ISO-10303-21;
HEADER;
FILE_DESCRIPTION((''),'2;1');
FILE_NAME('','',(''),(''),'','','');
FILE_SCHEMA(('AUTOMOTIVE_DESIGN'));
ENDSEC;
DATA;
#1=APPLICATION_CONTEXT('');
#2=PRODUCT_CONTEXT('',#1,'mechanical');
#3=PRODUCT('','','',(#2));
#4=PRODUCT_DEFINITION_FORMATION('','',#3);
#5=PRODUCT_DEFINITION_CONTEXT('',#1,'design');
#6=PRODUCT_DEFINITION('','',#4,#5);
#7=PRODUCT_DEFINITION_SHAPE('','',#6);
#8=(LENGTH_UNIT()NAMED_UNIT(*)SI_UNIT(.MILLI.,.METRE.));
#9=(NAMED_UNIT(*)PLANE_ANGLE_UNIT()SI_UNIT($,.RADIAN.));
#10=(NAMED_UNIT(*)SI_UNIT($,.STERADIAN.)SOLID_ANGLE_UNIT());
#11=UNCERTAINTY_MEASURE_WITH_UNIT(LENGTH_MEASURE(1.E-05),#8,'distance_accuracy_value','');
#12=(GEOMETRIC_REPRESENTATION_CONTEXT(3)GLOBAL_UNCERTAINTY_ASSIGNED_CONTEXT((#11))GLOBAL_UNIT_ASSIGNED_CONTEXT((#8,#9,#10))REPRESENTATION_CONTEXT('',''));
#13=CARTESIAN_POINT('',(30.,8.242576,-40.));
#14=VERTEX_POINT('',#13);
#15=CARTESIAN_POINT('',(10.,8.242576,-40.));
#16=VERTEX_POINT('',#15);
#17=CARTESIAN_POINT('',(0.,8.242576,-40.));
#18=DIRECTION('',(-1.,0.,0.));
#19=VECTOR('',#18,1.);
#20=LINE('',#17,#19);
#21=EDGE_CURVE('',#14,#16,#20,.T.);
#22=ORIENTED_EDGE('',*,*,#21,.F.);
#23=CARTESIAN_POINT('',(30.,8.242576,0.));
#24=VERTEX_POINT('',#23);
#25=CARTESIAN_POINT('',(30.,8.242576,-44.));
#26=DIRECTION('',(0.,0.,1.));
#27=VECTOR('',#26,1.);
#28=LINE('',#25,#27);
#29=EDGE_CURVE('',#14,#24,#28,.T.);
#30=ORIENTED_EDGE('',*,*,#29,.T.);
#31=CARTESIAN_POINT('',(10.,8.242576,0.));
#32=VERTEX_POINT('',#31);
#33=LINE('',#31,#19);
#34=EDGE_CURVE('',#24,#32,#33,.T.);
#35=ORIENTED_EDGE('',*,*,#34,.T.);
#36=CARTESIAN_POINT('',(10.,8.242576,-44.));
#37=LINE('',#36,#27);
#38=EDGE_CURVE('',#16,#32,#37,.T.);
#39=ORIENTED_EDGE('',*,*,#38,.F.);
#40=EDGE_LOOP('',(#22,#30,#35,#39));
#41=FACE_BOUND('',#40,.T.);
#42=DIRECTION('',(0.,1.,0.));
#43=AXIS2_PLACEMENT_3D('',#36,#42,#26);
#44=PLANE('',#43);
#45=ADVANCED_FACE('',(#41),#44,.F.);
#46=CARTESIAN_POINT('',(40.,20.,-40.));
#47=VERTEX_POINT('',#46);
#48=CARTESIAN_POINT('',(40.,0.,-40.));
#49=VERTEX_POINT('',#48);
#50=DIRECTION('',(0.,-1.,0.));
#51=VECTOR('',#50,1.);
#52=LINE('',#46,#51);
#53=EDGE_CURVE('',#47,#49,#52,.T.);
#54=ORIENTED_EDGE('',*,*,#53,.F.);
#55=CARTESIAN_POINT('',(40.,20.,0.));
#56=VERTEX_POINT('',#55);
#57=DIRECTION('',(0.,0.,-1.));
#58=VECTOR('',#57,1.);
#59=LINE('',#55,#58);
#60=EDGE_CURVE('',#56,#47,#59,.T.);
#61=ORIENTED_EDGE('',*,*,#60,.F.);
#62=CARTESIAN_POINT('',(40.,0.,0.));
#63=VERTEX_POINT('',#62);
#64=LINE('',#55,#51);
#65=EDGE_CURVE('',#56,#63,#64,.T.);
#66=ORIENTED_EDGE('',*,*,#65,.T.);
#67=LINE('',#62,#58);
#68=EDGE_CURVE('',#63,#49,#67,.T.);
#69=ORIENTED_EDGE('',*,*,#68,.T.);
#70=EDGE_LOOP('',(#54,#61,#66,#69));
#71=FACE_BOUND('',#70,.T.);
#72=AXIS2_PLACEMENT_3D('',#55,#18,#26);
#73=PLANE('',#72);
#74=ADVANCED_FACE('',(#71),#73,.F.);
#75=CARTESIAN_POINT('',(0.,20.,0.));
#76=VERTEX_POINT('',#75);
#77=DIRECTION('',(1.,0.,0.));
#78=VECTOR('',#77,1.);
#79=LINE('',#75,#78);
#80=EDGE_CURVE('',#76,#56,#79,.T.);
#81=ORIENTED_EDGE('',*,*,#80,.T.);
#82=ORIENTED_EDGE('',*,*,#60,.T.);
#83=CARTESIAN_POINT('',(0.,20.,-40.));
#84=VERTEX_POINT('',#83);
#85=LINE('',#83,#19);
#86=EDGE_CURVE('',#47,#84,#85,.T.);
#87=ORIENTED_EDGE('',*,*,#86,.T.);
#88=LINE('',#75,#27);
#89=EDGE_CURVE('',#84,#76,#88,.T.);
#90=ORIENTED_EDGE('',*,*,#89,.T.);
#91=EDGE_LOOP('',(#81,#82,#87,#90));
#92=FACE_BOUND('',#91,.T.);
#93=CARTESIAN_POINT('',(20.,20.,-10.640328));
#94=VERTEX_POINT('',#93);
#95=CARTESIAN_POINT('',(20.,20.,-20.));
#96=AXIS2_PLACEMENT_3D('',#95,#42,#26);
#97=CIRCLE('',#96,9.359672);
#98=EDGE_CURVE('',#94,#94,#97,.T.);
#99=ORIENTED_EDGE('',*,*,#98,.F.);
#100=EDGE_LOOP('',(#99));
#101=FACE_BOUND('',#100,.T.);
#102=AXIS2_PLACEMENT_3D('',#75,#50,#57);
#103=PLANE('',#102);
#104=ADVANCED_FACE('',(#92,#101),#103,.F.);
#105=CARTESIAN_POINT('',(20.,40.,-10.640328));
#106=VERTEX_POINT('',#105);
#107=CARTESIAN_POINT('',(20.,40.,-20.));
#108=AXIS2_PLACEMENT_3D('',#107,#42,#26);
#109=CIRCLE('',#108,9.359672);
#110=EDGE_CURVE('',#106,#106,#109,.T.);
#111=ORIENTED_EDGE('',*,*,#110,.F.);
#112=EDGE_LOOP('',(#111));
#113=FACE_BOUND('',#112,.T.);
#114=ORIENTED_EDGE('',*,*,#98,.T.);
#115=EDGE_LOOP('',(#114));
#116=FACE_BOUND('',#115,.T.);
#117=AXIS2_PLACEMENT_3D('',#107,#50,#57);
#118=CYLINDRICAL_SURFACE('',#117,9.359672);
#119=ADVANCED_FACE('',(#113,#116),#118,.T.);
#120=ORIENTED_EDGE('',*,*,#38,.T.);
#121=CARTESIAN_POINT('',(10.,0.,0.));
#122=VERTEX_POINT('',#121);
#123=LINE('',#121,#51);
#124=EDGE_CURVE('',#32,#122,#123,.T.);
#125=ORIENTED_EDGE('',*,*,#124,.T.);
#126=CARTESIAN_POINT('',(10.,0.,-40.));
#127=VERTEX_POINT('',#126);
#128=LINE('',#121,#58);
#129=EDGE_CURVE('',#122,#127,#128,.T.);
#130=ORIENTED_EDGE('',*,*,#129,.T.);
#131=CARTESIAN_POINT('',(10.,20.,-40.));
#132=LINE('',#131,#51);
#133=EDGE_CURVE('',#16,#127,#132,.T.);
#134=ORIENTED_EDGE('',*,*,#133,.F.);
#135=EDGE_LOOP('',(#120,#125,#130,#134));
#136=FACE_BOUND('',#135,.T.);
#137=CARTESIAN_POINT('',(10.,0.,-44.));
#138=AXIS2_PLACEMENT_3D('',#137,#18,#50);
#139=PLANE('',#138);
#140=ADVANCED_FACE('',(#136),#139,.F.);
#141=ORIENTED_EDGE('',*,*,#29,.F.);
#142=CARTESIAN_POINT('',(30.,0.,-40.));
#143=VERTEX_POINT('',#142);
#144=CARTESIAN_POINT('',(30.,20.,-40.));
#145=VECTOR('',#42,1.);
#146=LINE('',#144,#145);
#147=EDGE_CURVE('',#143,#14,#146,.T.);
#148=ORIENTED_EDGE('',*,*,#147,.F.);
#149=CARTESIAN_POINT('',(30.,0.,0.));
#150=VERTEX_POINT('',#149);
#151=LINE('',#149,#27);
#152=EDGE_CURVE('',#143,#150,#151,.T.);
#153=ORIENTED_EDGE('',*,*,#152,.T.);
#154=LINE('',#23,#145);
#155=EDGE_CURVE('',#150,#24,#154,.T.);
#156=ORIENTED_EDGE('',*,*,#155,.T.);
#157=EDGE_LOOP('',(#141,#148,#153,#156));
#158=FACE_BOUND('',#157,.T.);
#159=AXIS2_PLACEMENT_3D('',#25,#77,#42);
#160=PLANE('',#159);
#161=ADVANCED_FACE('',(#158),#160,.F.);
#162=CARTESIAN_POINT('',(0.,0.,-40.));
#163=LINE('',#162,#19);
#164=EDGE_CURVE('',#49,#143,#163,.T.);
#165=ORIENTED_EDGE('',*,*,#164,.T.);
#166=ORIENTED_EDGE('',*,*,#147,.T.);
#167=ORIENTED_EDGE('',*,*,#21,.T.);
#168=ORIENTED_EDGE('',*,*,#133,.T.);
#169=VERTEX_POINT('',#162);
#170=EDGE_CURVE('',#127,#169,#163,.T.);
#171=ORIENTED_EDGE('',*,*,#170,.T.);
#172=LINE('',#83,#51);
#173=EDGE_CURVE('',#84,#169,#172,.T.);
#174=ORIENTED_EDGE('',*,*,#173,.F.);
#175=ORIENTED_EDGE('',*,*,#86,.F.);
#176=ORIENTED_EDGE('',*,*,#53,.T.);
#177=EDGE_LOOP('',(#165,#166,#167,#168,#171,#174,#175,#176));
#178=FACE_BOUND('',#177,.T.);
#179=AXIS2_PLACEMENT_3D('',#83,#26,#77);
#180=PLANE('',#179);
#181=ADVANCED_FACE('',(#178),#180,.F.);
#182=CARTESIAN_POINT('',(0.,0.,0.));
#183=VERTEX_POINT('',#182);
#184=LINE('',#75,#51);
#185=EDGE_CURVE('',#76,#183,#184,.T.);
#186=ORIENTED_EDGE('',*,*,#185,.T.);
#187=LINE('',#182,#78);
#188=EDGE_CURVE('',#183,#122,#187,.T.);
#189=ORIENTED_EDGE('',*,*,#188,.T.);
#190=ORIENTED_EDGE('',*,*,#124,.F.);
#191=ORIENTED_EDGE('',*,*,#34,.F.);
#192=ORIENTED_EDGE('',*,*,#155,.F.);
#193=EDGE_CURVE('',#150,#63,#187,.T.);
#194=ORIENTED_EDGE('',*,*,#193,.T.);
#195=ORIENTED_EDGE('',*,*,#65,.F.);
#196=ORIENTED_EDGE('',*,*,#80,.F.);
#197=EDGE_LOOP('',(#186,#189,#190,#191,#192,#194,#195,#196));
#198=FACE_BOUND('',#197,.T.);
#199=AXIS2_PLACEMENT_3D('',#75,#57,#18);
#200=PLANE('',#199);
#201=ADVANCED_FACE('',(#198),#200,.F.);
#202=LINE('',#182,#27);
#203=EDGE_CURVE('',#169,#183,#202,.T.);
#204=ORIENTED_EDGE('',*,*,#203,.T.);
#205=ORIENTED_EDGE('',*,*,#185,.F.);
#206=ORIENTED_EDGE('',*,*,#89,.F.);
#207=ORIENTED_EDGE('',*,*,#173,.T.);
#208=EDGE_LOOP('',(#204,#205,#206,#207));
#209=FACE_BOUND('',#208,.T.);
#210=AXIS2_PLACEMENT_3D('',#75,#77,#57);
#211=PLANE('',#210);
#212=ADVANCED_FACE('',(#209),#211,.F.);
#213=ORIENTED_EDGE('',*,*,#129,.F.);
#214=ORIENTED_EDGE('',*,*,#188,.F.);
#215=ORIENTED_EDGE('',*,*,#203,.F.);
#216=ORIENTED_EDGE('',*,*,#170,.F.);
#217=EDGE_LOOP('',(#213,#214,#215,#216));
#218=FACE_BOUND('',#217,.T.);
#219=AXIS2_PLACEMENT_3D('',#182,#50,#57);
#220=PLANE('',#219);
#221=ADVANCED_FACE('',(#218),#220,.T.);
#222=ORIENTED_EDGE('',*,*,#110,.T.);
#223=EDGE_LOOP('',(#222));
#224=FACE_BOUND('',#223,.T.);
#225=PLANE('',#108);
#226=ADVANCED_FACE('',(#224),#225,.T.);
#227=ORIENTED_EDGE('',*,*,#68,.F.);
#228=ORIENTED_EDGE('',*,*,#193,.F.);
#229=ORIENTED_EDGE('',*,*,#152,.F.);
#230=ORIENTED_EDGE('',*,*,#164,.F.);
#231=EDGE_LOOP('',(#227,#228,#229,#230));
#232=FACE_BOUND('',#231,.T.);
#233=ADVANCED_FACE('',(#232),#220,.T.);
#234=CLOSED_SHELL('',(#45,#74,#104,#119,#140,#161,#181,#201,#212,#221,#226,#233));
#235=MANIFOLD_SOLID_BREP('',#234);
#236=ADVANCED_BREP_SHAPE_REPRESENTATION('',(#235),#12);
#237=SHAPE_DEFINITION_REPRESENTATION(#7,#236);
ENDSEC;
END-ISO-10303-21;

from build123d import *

# Parameters (mm, degrees)
SKETCH2_W           = 40
SKETCH2_H           = 40
BOSS_EXTRUDE1_DEPTH = 20
SKETCH4_W           = 20
SKETCH4_H           = 8.242576467
CUT_EXTRUDE1_DEPTH  = 44
SKETCH6_R           = 9.359671937
BOSS_EXTRUDE3_DEPTH = 20


with BuildPart() as part:
    # Sketch2 → Boss-Extrude1 (new body)
    with BuildSketch(Plane(origin=(0, 0, 0), x_dir=(1, 0, 0), z_dir=(0, 1, 0))):
        with Locations((20, 20)):
            Rectangle(SKETCH2_W, SKETCH2_H)
    extrude(amount=BOSS_EXTRUDE1_DEPTH)

    # Sketch4 → Cut-Extrude1 (cut)
    with BuildSketch(Plane.XY):
        with Locations((20, 4.121288234)):
            Rectangle(SKETCH4_W, SKETCH4_H)
    extrude(amount=-CUT_EXTRUDE1_DEPTH, mode=Mode.SUBTRACT)

    # Sketch6 → Boss-Extrude3 (add)
    with BuildSketch(Plane(origin=(0, 20, 0), x_dir=(1, 0, 0), z_dir=(0, 1, 0))):
        with Locations(Location((20, 20, 0), (0, 0, 270))):
            Circle(SKETCH6_R)
    extrude(amount=BOSS_EXTRUDE3_DEPTH)


solid = part.part
